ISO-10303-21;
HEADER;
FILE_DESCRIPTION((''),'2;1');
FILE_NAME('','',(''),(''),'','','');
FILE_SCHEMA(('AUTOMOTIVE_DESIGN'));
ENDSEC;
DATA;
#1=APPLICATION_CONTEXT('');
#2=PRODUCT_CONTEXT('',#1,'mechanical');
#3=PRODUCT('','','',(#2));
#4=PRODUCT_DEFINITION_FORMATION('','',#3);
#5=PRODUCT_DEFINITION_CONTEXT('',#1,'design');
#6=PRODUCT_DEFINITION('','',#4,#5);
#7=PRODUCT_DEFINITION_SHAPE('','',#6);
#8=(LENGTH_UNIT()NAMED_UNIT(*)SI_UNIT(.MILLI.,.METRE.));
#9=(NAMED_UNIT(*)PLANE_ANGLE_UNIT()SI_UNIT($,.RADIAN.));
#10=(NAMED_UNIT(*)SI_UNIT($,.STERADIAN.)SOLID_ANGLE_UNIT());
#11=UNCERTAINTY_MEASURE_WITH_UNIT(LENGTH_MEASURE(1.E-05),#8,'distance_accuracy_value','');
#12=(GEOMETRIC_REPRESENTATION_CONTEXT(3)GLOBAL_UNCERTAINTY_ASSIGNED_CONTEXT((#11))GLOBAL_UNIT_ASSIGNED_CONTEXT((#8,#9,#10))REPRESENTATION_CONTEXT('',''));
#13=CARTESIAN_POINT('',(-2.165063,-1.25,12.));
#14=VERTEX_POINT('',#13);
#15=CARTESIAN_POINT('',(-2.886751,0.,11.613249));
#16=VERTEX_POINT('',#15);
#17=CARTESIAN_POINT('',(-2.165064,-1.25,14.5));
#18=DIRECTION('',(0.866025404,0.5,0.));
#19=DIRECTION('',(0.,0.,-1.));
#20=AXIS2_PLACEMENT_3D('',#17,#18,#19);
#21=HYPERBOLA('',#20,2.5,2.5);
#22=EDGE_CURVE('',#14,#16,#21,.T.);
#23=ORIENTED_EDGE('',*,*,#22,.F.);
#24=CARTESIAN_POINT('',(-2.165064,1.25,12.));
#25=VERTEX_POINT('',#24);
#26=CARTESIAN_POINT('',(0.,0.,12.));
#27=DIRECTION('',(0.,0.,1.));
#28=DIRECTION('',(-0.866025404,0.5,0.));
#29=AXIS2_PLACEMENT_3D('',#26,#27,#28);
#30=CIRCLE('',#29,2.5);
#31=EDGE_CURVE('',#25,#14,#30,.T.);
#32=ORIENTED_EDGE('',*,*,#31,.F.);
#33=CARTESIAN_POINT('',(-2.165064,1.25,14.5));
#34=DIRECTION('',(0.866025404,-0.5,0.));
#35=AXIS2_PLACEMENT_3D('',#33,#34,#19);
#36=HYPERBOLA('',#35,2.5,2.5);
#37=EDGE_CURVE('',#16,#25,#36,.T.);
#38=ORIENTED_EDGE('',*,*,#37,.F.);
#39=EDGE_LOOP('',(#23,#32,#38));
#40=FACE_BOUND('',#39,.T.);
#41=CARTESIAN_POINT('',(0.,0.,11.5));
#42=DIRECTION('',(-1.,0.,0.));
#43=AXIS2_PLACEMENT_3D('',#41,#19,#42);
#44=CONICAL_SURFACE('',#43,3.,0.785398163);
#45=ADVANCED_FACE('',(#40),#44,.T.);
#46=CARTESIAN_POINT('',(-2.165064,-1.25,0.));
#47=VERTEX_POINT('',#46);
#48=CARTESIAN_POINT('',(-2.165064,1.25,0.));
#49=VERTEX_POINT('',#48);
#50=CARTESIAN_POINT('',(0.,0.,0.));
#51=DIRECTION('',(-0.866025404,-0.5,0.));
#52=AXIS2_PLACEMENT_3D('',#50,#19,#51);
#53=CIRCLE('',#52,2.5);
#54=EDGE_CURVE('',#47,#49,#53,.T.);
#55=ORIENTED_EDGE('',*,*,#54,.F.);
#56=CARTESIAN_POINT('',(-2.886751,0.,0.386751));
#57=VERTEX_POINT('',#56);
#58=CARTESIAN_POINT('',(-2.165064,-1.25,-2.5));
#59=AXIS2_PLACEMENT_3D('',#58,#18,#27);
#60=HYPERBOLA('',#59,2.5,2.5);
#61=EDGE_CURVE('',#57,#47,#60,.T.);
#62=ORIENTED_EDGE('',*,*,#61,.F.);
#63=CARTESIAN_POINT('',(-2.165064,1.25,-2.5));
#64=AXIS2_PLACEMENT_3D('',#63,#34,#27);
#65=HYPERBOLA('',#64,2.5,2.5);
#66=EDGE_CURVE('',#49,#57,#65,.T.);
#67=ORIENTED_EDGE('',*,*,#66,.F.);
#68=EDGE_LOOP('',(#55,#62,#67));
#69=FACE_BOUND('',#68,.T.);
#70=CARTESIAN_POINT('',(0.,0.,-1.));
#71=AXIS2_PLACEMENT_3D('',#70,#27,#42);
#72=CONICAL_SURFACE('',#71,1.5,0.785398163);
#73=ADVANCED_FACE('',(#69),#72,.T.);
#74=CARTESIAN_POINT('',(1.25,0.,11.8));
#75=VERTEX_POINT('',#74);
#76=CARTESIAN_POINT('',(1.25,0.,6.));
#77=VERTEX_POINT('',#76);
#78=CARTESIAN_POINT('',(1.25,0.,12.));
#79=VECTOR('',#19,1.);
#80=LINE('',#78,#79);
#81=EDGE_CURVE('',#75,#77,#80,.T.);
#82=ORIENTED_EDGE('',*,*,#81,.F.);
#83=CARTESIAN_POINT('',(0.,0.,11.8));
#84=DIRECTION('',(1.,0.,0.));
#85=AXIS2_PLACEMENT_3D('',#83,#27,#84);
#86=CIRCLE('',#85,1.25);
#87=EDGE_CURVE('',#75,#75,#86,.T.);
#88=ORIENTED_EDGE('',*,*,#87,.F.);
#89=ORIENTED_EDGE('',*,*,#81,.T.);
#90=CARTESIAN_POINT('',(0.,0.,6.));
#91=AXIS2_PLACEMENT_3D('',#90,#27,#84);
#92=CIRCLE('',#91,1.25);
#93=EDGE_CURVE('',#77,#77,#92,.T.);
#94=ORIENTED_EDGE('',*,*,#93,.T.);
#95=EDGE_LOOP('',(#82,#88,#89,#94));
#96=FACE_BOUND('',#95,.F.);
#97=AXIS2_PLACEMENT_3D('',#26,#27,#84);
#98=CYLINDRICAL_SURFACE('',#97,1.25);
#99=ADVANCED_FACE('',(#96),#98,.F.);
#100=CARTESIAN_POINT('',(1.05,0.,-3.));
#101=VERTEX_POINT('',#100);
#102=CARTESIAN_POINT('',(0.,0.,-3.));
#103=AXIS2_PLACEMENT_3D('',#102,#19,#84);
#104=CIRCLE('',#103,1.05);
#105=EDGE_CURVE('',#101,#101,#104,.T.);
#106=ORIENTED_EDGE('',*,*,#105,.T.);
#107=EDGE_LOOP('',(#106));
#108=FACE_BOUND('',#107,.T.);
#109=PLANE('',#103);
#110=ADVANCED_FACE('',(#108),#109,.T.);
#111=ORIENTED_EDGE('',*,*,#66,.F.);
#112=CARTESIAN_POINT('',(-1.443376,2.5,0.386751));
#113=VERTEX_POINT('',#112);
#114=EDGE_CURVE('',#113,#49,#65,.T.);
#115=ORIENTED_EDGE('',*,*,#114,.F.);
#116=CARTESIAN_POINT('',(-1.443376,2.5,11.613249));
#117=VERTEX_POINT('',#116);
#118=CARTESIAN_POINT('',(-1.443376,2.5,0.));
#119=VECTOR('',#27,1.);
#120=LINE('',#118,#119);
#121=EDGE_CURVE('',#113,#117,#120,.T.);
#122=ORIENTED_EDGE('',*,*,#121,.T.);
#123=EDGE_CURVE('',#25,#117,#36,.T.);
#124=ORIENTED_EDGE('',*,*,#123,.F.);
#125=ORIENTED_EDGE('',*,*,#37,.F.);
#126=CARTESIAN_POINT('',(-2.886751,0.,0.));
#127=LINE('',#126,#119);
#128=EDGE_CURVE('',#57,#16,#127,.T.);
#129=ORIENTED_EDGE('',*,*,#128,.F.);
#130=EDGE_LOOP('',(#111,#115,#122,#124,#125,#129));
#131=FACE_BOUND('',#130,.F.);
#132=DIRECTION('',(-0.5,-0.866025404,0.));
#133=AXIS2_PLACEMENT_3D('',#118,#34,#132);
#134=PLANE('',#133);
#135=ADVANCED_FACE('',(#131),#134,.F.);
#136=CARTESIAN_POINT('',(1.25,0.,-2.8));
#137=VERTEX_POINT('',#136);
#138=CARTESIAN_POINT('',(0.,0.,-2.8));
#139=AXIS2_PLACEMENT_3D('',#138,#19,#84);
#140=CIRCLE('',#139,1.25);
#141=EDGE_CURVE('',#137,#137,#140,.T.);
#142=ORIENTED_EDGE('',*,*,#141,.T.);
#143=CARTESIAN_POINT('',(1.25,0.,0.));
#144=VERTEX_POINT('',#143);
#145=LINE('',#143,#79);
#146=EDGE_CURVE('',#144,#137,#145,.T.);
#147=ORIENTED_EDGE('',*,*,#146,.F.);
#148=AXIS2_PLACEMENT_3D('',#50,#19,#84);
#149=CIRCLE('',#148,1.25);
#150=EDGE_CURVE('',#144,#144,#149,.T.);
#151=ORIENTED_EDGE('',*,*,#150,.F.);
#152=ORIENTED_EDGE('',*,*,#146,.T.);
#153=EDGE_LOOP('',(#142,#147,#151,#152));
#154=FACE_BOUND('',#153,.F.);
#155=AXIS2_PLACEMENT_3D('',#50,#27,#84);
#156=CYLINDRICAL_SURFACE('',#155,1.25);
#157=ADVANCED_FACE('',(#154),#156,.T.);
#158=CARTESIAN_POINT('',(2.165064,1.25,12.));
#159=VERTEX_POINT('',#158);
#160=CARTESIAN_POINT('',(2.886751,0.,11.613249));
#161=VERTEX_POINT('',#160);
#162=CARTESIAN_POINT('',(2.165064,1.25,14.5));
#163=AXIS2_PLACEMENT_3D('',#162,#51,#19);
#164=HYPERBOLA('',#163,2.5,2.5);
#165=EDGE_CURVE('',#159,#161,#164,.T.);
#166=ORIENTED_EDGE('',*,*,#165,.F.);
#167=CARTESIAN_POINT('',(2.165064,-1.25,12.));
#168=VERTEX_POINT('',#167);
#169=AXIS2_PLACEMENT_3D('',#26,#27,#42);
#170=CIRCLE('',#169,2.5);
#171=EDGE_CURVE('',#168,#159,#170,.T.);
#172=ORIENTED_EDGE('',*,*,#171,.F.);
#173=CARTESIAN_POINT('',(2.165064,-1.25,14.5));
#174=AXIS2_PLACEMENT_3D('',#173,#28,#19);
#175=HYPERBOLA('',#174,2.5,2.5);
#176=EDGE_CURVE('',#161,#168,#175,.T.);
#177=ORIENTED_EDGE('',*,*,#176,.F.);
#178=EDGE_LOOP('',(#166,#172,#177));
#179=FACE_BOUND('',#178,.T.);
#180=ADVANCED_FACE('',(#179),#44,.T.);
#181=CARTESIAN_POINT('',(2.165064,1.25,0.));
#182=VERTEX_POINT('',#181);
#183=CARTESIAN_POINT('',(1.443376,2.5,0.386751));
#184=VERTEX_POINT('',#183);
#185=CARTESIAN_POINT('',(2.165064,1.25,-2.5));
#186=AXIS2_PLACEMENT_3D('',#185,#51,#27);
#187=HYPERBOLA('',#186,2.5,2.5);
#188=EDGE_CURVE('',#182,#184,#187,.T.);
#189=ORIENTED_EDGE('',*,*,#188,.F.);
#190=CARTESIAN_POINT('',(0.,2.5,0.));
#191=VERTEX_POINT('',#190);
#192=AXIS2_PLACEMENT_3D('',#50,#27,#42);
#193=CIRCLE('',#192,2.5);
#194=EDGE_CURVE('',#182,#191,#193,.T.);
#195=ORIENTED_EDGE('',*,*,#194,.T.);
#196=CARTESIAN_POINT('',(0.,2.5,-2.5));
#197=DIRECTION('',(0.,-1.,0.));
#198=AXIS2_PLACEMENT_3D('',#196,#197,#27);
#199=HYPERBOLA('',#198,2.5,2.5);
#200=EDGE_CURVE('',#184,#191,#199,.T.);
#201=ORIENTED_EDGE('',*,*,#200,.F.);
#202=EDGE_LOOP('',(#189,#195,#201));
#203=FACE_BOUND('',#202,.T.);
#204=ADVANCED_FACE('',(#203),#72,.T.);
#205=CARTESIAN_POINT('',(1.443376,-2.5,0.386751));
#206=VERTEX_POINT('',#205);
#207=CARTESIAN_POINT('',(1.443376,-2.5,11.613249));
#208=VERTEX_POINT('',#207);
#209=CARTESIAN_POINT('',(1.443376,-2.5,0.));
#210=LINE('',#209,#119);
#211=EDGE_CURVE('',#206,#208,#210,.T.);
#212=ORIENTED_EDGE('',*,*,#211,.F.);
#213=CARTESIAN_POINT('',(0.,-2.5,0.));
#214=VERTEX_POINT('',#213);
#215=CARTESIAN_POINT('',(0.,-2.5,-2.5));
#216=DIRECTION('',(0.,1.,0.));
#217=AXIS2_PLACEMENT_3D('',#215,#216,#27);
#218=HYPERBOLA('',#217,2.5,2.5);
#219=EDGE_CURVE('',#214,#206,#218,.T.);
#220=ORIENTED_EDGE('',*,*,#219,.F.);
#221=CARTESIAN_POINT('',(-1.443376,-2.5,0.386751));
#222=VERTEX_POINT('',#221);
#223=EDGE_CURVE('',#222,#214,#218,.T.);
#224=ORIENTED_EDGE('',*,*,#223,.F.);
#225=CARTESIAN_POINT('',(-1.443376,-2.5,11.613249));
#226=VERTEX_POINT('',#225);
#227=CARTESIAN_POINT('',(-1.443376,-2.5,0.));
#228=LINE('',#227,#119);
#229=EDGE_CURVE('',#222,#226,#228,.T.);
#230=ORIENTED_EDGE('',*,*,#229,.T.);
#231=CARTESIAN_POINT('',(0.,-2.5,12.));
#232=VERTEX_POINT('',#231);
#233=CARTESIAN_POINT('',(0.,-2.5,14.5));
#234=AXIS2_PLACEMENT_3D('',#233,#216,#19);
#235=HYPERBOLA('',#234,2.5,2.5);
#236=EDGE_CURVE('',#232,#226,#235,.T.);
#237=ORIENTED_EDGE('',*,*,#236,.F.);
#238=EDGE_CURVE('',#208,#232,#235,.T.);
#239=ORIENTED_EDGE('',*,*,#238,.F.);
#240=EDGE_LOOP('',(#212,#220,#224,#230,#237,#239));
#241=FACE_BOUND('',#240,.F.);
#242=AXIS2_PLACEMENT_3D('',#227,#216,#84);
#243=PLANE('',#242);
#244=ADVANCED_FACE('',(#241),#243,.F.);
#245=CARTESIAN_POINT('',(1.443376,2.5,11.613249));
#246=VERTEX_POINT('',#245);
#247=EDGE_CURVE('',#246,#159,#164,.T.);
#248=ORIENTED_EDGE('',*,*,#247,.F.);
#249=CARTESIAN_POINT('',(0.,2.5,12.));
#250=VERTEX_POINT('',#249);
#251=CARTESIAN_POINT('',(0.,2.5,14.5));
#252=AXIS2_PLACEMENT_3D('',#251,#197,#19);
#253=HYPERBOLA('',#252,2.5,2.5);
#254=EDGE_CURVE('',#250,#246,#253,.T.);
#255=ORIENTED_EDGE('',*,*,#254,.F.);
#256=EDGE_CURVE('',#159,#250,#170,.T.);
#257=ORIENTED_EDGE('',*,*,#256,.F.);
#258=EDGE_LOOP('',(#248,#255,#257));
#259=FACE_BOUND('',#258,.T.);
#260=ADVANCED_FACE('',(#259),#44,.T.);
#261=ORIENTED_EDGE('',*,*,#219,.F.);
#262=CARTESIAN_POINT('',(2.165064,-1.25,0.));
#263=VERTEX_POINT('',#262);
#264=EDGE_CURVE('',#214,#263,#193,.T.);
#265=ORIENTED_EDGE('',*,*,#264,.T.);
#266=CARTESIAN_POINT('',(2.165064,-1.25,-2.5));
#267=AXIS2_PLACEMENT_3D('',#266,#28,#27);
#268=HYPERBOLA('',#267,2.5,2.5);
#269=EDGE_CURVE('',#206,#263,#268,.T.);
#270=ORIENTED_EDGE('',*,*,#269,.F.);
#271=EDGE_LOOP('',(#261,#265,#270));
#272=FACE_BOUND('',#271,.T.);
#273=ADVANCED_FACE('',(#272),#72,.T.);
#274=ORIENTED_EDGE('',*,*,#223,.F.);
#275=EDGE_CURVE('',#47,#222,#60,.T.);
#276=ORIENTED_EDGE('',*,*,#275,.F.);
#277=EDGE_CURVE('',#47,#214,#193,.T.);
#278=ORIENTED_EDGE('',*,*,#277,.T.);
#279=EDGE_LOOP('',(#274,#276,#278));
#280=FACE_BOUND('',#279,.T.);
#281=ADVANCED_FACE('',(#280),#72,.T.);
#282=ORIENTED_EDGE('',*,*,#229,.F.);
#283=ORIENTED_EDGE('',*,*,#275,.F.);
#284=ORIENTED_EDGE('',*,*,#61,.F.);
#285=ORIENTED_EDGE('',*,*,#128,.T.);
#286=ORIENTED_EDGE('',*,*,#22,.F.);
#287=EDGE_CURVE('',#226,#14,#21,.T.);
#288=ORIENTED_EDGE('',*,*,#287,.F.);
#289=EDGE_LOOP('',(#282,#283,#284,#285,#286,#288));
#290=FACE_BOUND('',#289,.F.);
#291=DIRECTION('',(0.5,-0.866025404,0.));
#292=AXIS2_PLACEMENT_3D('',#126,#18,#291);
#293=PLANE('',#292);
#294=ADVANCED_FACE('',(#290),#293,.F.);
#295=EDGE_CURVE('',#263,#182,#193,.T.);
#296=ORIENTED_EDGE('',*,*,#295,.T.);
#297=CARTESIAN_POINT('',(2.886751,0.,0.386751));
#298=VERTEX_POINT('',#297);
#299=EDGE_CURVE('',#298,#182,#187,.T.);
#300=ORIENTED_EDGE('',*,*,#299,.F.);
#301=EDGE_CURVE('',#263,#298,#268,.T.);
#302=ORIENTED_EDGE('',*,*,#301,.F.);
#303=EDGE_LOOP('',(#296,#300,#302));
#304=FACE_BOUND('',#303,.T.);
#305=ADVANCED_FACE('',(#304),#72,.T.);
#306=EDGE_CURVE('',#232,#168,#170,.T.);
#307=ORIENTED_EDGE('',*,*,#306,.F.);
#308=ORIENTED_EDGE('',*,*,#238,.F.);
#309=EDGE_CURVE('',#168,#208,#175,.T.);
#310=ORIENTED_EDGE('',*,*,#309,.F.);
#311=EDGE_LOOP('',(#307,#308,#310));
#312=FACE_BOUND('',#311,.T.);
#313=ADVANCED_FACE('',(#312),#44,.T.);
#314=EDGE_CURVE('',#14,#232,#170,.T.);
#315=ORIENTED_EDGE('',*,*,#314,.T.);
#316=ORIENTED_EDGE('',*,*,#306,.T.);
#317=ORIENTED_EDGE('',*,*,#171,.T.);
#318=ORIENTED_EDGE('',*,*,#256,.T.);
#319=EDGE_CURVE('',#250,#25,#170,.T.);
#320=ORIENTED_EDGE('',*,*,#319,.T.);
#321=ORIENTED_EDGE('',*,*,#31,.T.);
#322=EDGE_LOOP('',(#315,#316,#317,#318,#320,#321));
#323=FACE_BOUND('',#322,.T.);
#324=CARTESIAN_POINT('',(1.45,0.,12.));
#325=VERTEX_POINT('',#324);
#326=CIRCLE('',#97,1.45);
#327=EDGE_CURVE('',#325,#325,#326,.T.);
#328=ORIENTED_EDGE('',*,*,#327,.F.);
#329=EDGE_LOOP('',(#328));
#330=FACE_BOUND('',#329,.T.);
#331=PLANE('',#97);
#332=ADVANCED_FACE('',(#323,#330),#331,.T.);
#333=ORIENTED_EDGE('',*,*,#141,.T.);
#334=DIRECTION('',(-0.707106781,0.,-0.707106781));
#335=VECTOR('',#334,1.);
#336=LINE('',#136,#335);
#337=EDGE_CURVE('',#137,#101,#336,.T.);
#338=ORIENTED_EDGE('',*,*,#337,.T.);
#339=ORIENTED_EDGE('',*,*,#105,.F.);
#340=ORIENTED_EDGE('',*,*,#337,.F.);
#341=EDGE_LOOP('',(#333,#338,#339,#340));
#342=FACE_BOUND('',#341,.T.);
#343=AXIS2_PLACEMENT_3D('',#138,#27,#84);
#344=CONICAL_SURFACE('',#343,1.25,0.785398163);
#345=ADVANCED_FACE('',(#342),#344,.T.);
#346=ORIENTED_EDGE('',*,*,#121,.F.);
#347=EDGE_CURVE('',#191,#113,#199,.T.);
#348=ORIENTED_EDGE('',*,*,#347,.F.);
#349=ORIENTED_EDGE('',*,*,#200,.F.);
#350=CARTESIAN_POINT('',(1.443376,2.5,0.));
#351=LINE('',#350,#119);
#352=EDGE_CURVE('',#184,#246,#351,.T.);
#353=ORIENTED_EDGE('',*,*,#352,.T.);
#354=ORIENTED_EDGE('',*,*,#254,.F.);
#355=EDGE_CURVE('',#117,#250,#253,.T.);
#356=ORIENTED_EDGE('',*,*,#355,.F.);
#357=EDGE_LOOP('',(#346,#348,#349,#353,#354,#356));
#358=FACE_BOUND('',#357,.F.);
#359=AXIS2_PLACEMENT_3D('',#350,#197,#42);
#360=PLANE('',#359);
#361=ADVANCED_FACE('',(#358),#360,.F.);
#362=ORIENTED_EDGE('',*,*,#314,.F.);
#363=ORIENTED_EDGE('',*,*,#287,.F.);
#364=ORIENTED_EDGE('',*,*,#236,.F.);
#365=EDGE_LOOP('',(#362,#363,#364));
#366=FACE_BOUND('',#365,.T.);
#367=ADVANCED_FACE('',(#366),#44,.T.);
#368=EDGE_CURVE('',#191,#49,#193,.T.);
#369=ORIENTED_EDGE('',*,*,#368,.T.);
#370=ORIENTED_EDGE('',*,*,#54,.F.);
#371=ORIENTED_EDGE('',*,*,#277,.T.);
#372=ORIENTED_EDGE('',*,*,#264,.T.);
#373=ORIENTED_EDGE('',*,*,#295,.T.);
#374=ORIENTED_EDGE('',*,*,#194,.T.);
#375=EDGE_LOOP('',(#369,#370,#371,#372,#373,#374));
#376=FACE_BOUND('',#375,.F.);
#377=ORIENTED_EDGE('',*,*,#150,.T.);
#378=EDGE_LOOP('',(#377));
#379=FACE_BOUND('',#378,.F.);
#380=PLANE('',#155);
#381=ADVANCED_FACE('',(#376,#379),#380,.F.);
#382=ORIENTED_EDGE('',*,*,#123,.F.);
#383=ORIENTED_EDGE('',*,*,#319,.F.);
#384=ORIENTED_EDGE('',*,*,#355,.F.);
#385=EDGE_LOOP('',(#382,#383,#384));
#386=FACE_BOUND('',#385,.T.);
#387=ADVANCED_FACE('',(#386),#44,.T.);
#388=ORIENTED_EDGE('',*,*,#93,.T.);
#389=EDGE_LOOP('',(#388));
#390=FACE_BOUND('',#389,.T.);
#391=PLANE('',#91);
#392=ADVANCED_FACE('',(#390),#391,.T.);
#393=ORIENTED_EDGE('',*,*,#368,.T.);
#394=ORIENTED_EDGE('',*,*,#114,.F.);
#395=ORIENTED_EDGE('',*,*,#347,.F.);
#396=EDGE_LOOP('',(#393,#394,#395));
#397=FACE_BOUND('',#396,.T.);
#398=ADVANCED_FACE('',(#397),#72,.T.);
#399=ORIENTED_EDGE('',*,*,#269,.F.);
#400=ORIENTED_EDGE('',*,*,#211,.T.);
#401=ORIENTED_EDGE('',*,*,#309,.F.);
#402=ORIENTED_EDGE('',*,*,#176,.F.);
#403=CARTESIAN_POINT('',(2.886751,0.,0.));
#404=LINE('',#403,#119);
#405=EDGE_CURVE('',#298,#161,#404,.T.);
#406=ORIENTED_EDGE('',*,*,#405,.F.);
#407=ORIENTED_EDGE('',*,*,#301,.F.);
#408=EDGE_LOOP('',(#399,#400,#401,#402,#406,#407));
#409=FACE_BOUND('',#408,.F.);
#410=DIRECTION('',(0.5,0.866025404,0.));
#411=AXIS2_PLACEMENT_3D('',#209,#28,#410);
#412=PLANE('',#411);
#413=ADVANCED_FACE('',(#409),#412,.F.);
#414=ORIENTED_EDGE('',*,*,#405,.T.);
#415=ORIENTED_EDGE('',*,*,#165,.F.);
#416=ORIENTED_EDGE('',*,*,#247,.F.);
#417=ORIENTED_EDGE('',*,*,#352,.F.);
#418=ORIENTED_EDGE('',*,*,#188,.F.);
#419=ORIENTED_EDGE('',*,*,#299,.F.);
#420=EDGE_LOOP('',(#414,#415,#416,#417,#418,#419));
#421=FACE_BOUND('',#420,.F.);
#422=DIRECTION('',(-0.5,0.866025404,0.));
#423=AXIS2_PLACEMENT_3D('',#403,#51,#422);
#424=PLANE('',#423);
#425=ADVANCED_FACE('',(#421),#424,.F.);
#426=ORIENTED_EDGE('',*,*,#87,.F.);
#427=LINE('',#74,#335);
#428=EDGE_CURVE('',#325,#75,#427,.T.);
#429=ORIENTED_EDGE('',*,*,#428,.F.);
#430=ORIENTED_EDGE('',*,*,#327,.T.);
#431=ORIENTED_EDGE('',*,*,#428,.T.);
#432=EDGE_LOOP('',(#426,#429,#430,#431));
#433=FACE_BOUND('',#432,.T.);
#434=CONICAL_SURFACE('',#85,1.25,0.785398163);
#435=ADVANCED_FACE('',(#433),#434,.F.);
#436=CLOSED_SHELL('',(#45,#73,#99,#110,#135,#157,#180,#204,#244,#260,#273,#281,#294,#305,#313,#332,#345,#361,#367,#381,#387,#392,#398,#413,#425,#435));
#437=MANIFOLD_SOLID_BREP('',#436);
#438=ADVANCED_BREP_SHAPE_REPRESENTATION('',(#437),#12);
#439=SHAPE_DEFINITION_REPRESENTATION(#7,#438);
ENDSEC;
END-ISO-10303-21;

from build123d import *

# Parameters (mm, degrees)
BOSS_EXTRU_1_DEPTH      = 12
ESQUISSE3_R             = 1.25
ENL_V_MAT_EXTRU_1_DEPTH = 6
CHANFREIN1_SIZE         = 0.2
ESQUISSE4_R             = 1.25
BOSS_EXTRU_2_DEPTH      = 3
CHANFREIN2_SIZE         = 0.2


with BuildPart() as part:
    # Esquisse1 → Boss.-Extru.1 (new body)
    with BuildSketch(Plane.XY):
        Polygon((2.886751346, 0), (1.443375673, 2.5), (-1.443375673, 2.5), (-2.886751346, 0), (-1.443375673, -2.5), (1.443375673, -2.5), align=None)
    extrude(amount=BOSS_EXTRU_1_DEPTH)

    # Esquisse2 → Enlèvement de matière-Révolution1 (revolve, cut)
    with BuildSketch(Plane(origin=(0, 0, 0), x_dir=(1, 0, 0), z_dir=(0, 1, 0))):
        Polygon((-1.5, 1), (-3, -0.5), (-3, 1), align=None)
        Polygon((-3, -11.5), (-1.5, -13), (-3, -13), align=None)
    revolve(axis=Axis((0, 0, 0), (0, 0, 1)), mode=Mode.SUBTRACT)

    # Esquisse3 → Enlèv. mat.-Extru.1 (cut)
    with BuildSketch(Plane.XY.offset(12)):
        Circle(ESQUISSE3_R)
    extrude(amount=-ENL_V_MAT_EXTRU_1_DEPTH, mode=Mode.SUBTRACT)

    # Chanfrein1
    chanfrein1_edges = [part.edges().sort_by_distance(p)[0] for p in [
        (-1.25, 0, 12),
    ]]
    chamfer(chanfrein1_edges, length=CHANFREIN1_SIZE)

    # Esquisse4 → Boss.-Extru.2 (add)
    with BuildSketch(Plane(origin=(0, 0, 0), x_dir=(-1, 0, 0), z_dir=(0, 0, -1))):
        with Locations(Location((0, 0, 0), (0, 0, 180))):
            Circle(ESQUISSE4_R)
    extrude(amount=BOSS_EXTRU_2_DEPTH)

    # Chanfrein2
    chanfrein2_edges = [part.edges().sort_by_distance(p)[0] for p in [
        (-1.25, 0, -3),
    ]]
    chamfer(chanfrein2_edges, length=CHANFREIN2_SIZE)


solid = part.part
